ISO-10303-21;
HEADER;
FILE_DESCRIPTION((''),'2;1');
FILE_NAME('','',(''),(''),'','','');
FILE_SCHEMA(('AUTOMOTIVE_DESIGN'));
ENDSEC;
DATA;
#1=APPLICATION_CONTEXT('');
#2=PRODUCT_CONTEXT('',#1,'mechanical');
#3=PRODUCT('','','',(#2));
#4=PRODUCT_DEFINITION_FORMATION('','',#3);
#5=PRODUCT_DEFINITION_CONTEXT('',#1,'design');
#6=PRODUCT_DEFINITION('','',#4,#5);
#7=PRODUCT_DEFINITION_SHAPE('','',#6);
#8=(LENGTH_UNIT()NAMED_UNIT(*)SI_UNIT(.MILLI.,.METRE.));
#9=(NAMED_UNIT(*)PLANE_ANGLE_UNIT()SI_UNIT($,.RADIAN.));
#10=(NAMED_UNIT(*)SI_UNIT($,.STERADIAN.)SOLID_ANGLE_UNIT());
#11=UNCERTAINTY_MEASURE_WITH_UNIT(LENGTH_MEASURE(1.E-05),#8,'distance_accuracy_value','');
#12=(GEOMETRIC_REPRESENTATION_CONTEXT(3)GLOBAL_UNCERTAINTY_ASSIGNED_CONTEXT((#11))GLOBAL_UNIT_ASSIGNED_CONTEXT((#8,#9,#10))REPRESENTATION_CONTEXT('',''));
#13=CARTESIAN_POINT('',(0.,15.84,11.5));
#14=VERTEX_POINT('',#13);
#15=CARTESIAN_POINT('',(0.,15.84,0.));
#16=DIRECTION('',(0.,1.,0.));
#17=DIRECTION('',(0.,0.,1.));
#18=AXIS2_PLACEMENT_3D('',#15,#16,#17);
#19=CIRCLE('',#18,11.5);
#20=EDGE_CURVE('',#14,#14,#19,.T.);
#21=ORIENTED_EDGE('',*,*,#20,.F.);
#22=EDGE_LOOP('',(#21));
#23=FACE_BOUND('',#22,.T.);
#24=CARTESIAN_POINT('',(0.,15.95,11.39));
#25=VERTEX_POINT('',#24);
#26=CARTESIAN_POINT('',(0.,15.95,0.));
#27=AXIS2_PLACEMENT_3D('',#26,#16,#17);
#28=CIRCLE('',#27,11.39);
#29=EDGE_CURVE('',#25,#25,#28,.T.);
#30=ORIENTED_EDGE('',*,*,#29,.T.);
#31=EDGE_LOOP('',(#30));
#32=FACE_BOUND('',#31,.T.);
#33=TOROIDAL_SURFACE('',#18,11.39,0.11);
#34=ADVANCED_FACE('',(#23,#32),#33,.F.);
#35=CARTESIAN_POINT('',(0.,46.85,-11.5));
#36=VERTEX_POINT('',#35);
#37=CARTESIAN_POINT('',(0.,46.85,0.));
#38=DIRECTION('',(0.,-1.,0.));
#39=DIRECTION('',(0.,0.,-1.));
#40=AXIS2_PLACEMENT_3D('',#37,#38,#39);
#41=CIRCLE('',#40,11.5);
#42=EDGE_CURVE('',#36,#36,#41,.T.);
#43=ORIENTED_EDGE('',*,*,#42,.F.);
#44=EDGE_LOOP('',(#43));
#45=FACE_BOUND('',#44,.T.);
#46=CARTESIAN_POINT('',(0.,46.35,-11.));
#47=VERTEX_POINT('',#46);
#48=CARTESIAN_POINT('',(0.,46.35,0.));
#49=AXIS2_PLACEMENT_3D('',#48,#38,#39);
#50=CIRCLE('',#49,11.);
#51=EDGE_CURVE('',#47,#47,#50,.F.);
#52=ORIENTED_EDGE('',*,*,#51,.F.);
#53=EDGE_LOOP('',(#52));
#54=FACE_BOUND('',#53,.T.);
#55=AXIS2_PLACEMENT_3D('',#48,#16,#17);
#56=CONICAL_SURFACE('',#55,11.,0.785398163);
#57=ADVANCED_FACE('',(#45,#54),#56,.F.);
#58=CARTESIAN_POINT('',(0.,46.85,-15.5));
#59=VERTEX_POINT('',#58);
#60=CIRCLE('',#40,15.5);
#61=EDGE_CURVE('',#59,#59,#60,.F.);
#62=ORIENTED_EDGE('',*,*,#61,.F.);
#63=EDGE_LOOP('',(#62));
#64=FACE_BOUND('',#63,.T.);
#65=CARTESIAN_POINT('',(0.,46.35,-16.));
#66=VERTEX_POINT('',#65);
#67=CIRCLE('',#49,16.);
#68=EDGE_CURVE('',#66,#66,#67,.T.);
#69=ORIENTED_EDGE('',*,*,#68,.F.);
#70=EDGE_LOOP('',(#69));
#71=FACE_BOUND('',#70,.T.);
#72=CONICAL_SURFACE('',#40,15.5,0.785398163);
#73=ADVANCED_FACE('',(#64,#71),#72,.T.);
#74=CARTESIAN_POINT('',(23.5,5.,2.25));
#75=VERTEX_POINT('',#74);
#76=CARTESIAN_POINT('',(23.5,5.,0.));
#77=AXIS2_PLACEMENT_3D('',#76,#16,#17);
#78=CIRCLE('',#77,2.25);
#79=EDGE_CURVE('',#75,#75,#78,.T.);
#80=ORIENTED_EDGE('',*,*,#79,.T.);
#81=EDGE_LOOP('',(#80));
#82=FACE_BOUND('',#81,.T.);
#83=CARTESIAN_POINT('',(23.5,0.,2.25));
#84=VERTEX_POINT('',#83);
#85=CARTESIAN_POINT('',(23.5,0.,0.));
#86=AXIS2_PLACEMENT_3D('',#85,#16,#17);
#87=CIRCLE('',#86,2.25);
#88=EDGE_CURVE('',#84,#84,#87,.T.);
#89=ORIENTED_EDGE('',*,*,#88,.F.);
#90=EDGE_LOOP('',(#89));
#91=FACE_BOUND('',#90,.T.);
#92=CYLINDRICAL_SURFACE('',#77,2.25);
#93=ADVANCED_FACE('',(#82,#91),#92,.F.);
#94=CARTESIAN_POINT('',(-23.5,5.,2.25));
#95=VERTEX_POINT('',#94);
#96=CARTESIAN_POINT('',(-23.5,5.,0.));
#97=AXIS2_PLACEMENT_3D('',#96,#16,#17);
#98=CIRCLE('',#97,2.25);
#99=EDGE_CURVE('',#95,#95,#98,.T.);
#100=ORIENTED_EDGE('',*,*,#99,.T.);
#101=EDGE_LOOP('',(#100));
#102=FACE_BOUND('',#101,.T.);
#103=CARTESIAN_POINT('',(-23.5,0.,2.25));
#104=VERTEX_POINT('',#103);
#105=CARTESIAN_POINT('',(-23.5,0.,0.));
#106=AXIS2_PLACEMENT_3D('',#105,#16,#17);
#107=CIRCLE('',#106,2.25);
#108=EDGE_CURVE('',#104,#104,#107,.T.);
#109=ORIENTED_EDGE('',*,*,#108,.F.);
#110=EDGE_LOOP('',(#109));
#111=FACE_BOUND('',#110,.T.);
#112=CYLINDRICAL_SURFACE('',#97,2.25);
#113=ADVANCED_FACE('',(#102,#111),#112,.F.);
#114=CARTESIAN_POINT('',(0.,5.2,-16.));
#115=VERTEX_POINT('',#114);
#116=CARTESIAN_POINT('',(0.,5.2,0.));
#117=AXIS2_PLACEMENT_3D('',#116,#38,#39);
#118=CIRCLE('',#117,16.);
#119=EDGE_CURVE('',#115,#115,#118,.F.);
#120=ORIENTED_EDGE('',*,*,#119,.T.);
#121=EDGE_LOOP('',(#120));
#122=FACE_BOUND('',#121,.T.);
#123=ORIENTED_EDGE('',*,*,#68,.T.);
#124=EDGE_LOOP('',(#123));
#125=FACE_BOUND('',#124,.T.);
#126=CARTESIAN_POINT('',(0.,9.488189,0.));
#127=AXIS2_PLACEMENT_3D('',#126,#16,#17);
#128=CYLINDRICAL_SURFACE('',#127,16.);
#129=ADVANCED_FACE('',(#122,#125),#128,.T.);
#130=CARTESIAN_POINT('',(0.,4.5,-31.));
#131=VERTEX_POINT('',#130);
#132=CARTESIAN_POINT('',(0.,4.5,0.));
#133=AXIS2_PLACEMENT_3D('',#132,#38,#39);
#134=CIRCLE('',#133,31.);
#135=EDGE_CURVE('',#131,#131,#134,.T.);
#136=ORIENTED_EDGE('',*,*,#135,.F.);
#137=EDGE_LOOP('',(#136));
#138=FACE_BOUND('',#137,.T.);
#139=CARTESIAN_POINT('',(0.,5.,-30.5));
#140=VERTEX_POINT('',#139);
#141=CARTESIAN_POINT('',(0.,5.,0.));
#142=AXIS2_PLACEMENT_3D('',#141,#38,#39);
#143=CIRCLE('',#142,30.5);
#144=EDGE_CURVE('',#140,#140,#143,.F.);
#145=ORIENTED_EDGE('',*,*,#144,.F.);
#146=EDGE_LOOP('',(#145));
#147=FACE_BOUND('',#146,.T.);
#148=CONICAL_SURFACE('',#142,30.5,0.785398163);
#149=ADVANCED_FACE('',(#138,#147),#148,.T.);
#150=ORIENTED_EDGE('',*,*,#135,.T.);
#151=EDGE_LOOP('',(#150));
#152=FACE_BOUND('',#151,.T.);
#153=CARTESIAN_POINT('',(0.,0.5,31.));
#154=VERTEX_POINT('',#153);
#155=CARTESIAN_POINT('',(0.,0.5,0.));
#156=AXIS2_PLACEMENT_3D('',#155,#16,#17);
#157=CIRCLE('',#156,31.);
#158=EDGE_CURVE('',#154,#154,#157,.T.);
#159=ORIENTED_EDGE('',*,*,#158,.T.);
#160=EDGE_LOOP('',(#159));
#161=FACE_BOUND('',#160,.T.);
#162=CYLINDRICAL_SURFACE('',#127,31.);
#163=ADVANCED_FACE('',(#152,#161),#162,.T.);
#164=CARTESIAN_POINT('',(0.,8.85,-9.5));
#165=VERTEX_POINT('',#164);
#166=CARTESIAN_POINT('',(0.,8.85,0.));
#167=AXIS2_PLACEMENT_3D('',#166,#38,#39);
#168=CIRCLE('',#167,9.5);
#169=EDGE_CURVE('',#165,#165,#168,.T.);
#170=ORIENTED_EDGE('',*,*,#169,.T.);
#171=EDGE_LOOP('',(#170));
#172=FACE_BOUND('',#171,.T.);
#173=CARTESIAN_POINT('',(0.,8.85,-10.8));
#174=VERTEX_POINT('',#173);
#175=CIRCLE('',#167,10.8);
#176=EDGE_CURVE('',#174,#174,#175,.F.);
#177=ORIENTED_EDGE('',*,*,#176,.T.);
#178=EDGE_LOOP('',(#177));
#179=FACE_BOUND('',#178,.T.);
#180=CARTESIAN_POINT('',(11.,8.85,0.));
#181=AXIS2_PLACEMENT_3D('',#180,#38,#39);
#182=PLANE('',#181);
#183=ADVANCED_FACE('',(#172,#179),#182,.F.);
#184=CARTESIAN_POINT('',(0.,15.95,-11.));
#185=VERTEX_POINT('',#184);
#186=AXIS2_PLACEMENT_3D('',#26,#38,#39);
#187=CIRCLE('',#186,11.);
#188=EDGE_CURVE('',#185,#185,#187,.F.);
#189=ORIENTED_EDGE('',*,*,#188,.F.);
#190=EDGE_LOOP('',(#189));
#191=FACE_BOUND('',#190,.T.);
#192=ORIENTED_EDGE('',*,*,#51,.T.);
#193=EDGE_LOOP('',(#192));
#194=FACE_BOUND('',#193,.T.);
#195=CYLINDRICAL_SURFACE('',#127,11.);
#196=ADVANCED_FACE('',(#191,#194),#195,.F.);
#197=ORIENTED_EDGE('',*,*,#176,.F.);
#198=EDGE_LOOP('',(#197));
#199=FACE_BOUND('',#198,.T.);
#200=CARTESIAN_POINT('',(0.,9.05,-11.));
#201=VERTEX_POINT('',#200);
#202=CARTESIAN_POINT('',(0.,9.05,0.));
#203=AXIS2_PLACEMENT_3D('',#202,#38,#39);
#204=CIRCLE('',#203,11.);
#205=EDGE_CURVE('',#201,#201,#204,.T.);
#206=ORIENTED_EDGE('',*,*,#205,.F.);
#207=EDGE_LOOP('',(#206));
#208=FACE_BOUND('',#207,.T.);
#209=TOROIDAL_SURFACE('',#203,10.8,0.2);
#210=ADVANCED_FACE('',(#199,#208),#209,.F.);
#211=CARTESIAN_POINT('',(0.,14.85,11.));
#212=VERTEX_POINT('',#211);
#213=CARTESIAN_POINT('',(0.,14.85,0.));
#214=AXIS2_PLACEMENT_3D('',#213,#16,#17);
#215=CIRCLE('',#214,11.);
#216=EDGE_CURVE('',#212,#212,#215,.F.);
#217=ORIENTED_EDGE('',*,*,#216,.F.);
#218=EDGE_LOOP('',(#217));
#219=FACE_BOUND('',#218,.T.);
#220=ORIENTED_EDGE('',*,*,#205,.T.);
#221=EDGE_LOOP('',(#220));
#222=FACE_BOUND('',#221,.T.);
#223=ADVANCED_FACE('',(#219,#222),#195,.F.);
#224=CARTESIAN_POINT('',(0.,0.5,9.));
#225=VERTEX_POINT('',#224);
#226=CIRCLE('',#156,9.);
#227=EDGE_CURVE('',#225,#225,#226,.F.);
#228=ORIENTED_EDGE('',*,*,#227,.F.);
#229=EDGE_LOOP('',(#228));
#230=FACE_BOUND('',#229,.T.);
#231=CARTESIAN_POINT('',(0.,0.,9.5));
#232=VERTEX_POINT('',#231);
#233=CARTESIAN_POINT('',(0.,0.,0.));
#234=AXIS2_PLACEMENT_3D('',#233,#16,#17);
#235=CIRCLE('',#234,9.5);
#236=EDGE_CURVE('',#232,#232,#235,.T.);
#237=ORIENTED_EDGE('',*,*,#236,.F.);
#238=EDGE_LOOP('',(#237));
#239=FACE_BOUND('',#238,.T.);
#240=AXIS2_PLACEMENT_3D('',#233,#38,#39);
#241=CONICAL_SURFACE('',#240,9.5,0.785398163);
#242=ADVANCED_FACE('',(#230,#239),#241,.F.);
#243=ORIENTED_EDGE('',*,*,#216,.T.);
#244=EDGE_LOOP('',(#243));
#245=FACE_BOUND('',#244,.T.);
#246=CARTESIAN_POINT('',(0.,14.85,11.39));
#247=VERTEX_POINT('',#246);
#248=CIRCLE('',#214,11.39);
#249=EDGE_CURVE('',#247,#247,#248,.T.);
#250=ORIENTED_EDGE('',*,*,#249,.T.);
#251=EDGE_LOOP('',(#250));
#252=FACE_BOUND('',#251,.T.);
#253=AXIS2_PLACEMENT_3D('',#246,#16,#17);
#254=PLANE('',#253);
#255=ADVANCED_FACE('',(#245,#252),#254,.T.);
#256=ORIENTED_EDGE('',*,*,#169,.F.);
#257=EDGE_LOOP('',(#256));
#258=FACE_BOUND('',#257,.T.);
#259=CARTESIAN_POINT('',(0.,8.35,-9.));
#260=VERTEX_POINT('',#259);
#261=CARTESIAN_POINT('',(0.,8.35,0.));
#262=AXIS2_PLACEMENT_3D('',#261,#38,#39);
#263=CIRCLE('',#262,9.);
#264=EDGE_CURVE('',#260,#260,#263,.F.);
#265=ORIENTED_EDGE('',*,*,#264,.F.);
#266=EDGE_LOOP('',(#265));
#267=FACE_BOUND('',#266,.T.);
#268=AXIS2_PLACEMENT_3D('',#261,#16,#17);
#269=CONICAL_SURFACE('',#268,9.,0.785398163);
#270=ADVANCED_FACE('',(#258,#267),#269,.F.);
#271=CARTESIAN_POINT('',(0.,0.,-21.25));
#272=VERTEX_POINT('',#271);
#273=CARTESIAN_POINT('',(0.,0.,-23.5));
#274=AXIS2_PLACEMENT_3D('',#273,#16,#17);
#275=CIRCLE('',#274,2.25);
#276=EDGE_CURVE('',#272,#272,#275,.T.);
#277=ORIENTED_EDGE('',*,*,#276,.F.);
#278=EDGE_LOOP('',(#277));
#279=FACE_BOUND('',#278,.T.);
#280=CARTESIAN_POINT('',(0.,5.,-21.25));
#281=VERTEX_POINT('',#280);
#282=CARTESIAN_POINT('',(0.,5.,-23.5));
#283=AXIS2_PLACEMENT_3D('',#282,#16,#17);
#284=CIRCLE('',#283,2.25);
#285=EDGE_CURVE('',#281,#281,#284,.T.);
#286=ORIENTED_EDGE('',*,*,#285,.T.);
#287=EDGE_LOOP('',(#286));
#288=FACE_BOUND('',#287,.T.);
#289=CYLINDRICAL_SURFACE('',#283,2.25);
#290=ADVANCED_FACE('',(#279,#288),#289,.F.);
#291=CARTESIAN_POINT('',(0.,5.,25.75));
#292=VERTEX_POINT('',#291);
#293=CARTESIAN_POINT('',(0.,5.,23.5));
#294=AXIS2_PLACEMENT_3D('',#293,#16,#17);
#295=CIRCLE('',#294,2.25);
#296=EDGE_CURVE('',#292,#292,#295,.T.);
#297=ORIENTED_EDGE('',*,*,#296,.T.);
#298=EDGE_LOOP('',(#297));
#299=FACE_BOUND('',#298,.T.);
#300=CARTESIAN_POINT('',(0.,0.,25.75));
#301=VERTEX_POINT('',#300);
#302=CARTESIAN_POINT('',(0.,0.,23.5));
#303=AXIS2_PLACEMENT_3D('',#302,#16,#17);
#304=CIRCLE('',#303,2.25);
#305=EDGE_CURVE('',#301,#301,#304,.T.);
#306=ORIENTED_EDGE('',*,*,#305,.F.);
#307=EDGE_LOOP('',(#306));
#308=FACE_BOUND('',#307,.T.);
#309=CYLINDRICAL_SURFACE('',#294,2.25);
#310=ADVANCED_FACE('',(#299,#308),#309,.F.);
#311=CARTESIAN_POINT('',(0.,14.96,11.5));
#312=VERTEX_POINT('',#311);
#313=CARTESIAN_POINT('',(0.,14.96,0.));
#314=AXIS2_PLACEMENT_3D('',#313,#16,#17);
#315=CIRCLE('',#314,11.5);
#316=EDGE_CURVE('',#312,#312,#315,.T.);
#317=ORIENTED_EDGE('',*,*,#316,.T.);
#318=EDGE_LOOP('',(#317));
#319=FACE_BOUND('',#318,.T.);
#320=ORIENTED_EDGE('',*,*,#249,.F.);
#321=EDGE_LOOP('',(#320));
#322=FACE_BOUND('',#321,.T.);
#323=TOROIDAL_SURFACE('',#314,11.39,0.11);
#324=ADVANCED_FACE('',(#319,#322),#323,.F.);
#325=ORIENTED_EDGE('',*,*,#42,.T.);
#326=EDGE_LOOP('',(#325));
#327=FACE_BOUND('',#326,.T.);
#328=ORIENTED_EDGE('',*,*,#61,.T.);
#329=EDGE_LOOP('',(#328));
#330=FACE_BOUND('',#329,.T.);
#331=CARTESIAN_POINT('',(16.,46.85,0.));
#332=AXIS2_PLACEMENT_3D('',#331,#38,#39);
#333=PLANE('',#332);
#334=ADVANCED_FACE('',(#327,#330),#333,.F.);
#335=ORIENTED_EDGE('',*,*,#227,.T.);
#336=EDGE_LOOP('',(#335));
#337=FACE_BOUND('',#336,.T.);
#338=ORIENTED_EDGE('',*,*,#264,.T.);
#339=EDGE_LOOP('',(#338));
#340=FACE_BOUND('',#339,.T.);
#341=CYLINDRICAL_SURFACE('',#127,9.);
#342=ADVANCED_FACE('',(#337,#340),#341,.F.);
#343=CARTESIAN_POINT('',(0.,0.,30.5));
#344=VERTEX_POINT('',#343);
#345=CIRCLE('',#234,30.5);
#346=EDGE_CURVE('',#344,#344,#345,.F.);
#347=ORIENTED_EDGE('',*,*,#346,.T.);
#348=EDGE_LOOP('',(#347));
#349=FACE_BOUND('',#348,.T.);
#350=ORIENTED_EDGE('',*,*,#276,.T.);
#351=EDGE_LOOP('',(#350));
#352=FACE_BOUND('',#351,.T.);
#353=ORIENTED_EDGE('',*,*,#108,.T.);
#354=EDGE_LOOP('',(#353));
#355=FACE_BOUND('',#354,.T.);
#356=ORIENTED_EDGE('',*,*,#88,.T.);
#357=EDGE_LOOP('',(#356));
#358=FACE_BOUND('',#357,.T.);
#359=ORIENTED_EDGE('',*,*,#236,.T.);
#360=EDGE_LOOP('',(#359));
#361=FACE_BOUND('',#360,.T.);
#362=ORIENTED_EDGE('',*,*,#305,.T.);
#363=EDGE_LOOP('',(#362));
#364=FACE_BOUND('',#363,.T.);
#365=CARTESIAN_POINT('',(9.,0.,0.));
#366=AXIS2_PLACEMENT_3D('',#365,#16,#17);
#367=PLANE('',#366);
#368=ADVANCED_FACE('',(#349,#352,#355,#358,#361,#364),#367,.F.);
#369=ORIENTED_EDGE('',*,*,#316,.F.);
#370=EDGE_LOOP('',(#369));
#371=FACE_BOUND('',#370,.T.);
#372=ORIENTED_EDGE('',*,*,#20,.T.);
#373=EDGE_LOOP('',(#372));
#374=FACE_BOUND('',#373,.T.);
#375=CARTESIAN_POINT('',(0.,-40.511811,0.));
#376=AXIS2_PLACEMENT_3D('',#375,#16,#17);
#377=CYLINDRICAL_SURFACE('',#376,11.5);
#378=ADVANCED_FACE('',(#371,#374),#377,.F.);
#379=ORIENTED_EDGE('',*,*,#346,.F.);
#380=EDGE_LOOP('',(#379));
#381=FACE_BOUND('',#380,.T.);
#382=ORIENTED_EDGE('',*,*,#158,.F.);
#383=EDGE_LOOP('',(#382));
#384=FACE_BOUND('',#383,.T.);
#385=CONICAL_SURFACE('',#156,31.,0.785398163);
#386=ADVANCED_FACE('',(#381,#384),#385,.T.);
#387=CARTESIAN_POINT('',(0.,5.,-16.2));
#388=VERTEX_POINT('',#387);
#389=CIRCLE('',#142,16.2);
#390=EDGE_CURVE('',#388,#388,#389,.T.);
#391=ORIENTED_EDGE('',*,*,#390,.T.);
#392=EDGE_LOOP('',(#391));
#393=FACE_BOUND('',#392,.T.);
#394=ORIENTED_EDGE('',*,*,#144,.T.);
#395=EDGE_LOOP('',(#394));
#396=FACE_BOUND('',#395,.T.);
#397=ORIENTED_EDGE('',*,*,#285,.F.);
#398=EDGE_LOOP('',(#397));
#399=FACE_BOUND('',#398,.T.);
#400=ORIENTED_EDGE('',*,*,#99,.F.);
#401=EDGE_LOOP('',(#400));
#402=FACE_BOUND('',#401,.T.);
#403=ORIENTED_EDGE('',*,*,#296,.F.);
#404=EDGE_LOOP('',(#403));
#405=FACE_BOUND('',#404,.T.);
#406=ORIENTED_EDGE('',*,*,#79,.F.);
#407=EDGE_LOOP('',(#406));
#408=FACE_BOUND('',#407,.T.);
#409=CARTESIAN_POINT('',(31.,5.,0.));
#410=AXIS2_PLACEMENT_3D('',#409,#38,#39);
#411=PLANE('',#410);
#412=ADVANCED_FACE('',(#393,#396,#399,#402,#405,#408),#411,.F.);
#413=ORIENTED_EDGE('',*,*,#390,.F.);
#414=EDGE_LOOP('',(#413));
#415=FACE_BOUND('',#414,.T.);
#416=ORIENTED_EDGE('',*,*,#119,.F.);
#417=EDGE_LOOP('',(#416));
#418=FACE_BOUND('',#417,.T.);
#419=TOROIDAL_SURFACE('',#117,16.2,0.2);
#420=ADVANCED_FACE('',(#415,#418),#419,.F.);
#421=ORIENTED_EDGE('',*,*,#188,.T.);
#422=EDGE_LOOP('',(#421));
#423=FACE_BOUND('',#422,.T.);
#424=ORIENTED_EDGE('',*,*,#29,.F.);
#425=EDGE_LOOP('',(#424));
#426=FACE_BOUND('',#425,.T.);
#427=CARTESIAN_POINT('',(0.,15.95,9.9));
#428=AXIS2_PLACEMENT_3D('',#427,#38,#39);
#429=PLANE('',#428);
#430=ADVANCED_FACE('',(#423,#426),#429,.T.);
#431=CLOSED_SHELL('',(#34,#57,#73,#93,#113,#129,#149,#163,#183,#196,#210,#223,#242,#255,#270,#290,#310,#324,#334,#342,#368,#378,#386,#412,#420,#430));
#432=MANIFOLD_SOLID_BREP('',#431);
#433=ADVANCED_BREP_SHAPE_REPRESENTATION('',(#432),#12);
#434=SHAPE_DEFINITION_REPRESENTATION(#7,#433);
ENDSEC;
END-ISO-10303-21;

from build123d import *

# Parameters (mm, degrees)
M4_CLEARANCE_HOLE1_D     = 4.5
M4_CLEARANCE_HOLE1_DEPTH = 10
M4_CLEARANCE_HOLE1_TIP   = 1.351936393
FILLET1_R                = 0.2
CHAMFER1_SIZE            = 0.5


with BuildPart() as part:
    # Sketch1 → Revolve1 (revolve)
    with BuildSketch(Plane.XY, mode=Mode.PRIVATE) as revolve1_sk:
        Polygon((9, 0), (31, 0), (31, 5), (16, 5), (16, 46.85), (11, 46.85), (11, 8.85), (9, 8.85), align=None)
    revolve(revolve1_sk.sketch.rotate(Axis((0, 9.488188976, 0), (0, -1, 0)), 90), axis=Axis((0, 9.488188976, 0), (0, -1, 0)))

    # M4 Clearance Hole1
    with Locations(Plane(origin=(0, 5, 0), x_dir=(1, 0, 0), z_dir=(0, 1, 0))):
        with Locations((23.5, 0), (0, 23.5), (0, -23.5), (-23.5, 0)):
            Hole(M4_CLEARANCE_HOLE1_D / 2, depth=M4_CLEARANCE_HOLE1_DEPTH)
            with Locations((0, 0, -(M4_CLEARANCE_HOLE1_DEPTH + M4_CLEARANCE_HOLE1_TIP / 2))):  # 118° drill point
                Cone(0, M4_CLEARANCE_HOLE1_D / 2, M4_CLEARANCE_HOLE1_TIP, mode=Mode.SUBTRACT)

    # Sketch5 → Groove for BS 3673 P4 - B022M, Internal Circlip1 (revolve, cut)
    with BuildSketch(Plane(origin=(0, 9.488188976, 0), x_dir=(0, 0, 1), z_dir=(-1, 0, 0))):
        with BuildLine():
            Line((11.39, 5.361811024), (9.9, 5.361811024))
            Line((9.9, 5.361811024), (9.9, 6.461811024))
            Line((9.9, 6.461811024), (11.39, 6.461811024))
            ThreePointArc((11.39, 6.461811024), (11.467781746, 6.42959277), (11.5, 6.351811024))
            Line((11.5, 6.351811024), (11.5, 5.471811024))
            ThreePointArc((11.5, 5.471811024), (11.467781746, 5.394029278), (11.39, 5.361811024))
        make_face()
    revolve(axis=Axis((0, -40.511811024, 0), (0, 1, 0)), mode=Mode.SUBTRACT)

    # Fillet1
    fillet1_edges = [part.edges().sort_by_distance(p)[0] for p in [
        (0, 8.85, -11),
        (0, 5, -16),
    ]]
    fillet(fillet1_edges, radius=FILLET1_R)

    # Chamfer1
    chamfer1_edges = [part.edges().sort_by_distance(p)[0] for p in [
        (0, 0, -9),
        (0, 8.85, -9),
        (0, 46.85, -11),
        (0, 46.85, -16),
        (0, 5, -31),
        (0, 0, -31),
    ]]
    chamfer(chamfer1_edges, length=CHAMFER1_SIZE)


solid = part.part
